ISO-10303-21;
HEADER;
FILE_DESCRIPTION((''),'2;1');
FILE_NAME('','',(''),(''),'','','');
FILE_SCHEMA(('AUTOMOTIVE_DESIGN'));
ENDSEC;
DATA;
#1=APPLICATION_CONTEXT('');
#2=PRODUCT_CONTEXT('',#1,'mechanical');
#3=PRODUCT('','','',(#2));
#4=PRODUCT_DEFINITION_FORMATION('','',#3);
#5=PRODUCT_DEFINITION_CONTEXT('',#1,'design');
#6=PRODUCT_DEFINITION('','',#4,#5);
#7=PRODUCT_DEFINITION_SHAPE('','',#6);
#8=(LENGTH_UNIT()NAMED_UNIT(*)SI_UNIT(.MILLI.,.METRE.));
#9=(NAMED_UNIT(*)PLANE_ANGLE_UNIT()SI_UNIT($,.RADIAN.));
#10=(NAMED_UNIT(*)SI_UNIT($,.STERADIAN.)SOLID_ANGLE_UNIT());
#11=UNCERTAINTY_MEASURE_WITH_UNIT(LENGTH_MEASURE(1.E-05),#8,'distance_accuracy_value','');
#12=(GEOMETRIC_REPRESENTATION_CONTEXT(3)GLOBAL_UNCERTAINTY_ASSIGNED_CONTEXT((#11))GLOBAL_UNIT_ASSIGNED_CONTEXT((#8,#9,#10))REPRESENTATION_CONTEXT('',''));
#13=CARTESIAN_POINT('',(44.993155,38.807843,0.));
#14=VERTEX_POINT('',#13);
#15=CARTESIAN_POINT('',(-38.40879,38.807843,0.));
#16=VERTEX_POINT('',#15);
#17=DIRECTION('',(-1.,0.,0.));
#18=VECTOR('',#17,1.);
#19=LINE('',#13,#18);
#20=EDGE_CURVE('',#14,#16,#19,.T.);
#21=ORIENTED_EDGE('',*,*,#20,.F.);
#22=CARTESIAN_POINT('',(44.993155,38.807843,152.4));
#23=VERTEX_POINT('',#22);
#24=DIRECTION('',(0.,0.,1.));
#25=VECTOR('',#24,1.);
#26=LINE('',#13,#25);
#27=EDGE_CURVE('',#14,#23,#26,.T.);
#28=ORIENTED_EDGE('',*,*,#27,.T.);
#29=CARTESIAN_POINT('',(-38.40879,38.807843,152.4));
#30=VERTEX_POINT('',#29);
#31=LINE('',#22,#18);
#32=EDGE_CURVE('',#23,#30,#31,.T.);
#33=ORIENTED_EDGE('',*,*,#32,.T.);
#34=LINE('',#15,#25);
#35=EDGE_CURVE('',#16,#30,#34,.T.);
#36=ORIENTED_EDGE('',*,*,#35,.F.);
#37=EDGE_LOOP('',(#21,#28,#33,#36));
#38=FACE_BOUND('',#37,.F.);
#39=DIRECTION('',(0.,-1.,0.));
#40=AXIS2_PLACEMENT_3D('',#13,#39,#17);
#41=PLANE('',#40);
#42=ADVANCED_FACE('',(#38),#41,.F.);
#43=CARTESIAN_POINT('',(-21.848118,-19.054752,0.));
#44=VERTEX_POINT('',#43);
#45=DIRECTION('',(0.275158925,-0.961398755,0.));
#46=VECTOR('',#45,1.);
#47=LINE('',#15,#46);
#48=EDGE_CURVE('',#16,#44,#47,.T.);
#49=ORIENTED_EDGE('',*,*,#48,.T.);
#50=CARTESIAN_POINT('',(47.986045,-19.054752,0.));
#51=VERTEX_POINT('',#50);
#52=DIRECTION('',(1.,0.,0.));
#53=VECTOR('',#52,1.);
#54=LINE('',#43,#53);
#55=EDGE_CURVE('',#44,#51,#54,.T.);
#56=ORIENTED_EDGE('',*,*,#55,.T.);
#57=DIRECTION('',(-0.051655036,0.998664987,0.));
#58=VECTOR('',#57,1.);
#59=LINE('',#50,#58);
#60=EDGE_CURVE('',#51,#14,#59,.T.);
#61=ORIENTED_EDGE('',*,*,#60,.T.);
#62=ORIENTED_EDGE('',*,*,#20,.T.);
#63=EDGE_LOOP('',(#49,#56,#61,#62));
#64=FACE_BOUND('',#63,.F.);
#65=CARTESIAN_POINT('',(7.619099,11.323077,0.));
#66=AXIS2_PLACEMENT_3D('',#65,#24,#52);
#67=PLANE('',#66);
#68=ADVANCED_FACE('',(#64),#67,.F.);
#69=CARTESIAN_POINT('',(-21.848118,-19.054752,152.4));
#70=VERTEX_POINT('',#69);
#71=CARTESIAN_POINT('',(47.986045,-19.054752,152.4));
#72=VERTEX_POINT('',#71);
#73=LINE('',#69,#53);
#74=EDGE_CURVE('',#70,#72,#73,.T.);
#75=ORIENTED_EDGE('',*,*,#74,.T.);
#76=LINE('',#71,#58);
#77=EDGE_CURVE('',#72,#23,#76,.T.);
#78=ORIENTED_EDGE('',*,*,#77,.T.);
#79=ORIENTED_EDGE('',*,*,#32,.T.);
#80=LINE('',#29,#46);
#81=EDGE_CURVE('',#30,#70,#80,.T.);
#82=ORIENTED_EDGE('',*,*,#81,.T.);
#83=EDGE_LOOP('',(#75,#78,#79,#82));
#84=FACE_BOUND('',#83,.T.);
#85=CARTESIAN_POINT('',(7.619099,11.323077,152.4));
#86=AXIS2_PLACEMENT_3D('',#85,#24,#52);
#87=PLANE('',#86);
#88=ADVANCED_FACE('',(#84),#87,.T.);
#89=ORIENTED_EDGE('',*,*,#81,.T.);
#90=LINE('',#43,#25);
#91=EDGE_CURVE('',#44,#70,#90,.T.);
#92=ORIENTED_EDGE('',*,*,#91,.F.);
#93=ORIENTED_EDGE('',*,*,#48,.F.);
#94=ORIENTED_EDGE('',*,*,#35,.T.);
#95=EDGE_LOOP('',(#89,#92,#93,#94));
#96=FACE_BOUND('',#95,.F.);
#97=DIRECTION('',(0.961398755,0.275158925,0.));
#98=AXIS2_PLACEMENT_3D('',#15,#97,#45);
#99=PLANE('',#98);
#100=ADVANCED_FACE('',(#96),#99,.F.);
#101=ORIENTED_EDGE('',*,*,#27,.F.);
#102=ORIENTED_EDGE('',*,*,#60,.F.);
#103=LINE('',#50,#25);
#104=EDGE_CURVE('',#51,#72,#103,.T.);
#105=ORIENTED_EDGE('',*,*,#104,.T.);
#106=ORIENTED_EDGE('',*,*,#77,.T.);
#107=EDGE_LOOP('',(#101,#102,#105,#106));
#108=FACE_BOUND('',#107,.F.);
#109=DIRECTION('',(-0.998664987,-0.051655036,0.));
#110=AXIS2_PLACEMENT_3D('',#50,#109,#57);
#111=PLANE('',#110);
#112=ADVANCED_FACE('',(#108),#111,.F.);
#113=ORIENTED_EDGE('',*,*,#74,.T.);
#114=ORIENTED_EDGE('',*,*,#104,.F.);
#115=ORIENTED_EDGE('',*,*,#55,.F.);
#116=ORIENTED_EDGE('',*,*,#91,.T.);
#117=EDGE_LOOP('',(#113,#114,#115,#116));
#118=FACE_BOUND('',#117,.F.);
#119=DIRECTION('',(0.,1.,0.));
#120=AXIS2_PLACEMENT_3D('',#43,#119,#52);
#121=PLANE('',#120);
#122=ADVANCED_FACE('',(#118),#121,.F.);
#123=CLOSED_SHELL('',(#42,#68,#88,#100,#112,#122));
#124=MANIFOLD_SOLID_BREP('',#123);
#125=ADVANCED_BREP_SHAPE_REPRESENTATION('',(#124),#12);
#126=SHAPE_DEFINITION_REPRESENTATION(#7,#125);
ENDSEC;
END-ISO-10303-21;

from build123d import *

# Parameters (mm, degrees)
F0_R     = 15.643323
F1_DEPTH = 152.4


with BuildPart() as f1:
    # F0 (on Top) → F1 (new body)
    with BuildSketch(Plane.XY):
        Polygon((44.993155, 38.807843), (-38.40879, 38.807843), (-21.848118, -19.054752), (47.986045, -19.054752), align=None)
        Circle(F0_R, mode=Mode.SUBTRACT)
        Circle(F0_R)
    extrude(amount=F1_DEPTH)


solid = f1.part
